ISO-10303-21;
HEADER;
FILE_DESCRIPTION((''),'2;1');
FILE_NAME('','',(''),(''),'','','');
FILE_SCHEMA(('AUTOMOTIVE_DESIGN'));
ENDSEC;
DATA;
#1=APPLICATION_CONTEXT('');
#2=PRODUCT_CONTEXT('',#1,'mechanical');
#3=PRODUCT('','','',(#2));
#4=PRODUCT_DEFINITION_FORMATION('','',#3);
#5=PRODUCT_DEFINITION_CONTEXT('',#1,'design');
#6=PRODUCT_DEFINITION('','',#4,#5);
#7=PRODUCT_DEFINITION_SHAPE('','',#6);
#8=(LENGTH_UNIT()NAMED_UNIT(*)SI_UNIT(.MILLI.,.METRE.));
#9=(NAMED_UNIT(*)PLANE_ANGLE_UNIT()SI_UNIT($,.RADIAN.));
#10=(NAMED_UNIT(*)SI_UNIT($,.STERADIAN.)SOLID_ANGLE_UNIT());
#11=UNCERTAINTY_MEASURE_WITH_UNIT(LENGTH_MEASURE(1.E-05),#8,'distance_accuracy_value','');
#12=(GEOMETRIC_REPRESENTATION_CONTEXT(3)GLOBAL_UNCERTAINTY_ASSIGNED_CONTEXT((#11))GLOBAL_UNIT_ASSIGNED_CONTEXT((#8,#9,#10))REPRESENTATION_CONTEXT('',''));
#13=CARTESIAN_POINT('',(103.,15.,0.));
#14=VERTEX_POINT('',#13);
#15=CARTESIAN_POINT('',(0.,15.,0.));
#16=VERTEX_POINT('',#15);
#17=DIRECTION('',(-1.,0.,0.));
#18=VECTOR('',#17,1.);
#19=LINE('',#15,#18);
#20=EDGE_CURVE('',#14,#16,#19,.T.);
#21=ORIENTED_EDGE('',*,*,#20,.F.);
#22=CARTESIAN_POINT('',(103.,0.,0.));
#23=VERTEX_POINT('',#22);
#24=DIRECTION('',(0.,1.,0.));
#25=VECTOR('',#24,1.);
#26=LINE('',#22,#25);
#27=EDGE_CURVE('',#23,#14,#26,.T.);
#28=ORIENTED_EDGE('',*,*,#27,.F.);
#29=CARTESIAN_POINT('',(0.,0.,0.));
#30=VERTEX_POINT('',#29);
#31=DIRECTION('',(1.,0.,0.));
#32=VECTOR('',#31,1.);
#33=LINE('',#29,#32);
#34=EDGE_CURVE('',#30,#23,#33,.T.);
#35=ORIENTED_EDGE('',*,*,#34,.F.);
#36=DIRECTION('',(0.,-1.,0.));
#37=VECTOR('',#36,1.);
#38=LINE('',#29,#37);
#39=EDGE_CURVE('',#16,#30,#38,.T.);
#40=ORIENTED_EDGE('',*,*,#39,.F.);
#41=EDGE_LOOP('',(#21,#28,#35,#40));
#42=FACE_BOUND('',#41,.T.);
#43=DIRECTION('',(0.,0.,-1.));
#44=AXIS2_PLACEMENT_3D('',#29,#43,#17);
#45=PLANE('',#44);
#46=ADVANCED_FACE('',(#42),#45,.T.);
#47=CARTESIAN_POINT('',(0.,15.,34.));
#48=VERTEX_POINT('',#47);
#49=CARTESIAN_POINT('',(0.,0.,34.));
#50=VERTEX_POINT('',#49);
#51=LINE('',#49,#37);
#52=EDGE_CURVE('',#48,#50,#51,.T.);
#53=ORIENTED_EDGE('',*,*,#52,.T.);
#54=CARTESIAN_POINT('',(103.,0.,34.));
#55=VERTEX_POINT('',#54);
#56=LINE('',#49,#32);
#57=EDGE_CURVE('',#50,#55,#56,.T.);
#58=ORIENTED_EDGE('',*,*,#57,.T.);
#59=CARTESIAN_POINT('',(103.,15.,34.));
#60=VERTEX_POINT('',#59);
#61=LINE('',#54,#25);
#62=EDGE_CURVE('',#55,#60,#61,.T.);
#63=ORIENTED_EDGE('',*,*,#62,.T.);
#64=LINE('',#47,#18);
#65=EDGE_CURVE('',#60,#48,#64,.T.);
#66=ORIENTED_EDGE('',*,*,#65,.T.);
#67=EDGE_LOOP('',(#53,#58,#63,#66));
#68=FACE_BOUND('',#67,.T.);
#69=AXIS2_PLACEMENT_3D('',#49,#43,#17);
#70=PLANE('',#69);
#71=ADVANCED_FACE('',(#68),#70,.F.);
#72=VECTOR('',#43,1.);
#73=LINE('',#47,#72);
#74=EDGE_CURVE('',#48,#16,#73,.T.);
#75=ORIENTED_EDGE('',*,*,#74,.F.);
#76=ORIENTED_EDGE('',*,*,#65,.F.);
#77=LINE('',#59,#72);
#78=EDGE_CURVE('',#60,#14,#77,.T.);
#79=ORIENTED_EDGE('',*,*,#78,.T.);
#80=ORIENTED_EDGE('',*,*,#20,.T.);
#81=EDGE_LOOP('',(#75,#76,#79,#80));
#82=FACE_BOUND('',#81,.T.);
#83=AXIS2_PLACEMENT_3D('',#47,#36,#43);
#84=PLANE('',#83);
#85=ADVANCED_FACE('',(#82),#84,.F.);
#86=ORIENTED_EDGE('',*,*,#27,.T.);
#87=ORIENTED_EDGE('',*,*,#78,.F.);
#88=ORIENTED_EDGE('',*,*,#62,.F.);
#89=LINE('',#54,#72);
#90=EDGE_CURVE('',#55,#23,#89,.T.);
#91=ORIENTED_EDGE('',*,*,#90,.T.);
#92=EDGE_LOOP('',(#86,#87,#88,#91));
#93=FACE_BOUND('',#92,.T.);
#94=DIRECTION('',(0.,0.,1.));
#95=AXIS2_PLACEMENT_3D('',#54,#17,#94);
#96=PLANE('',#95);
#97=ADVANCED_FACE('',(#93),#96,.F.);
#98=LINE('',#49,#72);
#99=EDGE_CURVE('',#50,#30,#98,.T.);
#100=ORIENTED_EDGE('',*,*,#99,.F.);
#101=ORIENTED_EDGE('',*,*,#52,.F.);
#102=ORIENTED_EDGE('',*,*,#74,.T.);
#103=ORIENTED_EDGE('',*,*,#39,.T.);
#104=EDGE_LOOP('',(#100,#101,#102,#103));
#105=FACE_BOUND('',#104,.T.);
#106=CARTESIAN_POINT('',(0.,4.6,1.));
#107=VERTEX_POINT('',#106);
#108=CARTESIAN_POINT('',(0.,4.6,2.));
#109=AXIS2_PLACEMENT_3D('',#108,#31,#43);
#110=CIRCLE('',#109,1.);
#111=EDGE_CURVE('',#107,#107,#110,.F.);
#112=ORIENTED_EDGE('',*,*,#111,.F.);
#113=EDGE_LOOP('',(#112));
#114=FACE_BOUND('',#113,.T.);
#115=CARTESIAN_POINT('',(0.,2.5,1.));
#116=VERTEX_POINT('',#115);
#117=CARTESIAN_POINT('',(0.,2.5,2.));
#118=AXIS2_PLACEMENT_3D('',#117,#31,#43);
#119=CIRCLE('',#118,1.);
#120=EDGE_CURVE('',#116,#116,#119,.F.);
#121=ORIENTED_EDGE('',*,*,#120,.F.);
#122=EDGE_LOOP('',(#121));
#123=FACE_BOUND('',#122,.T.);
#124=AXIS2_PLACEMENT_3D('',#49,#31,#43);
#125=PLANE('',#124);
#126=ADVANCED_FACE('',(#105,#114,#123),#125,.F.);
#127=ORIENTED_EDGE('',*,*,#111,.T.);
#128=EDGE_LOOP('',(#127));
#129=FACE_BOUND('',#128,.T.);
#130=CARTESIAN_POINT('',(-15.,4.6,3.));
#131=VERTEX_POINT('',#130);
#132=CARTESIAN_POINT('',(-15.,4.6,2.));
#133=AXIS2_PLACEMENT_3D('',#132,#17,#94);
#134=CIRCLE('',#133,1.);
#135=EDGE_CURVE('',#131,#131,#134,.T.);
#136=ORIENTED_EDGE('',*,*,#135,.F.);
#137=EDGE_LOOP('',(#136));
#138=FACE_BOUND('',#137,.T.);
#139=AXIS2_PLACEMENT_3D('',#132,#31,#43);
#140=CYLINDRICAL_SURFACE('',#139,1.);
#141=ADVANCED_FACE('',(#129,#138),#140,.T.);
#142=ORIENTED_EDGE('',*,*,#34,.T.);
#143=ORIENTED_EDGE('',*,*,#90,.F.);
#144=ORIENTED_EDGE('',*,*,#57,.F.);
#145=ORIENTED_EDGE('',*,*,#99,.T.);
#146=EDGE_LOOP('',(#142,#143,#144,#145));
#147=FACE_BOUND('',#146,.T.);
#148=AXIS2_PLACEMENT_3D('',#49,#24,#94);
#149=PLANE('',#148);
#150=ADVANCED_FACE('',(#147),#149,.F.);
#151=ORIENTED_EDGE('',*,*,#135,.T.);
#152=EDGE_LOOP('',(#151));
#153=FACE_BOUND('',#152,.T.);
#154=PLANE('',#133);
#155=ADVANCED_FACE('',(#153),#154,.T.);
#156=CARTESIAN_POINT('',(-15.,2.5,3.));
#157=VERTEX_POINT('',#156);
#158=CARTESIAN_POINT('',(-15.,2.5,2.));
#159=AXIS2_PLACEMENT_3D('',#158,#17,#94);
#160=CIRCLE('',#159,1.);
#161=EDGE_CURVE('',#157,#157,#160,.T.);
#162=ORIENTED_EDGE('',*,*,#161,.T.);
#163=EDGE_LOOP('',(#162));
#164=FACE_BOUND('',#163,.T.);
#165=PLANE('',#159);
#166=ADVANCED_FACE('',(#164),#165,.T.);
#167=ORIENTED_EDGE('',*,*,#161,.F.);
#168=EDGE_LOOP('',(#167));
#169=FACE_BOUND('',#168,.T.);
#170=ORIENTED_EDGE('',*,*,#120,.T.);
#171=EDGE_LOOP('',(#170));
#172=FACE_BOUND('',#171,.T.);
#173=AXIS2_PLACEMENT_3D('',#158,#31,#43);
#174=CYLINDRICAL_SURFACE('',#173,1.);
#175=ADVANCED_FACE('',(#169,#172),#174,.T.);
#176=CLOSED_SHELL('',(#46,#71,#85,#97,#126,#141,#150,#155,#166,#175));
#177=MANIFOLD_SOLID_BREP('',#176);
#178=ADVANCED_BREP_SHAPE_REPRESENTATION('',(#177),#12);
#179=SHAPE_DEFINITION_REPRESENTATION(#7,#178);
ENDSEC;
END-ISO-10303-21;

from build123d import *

# Parameters (mm, degrees)
SKETCH1_W           = 103
SKETCH1_H           = 15
BOSS_EXTRUDE1_DEPTH = 34
SKETCH2_R           = 1
BOSS_EXTRUDE2_DEPTH = 15


with BuildPart() as part:
    # Sketch1 → Boss-Extrude1 (new body)
    with BuildSketch(Plane.XY):
        with Locations((51.5, 7.5)):
            Rectangle(SKETCH1_W, SKETCH1_H)
    extrude(amount=BOSS_EXTRUDE1_DEPTH)

    # Sketch2 → Boss-Extrude2 (add)
    with BuildSketch(Plane.ZY):
        with Locations(Location((2, 2.5, 0), (0, 0, 180))):
            Circle(SKETCH2_R)
        with Locations(Location((2, 4.6, 0), (0, 0, 180))):
            Circle(SKETCH2_R)
    extrude(amount=BOSS_EXTRUDE2_DEPTH)


solid = part.part
